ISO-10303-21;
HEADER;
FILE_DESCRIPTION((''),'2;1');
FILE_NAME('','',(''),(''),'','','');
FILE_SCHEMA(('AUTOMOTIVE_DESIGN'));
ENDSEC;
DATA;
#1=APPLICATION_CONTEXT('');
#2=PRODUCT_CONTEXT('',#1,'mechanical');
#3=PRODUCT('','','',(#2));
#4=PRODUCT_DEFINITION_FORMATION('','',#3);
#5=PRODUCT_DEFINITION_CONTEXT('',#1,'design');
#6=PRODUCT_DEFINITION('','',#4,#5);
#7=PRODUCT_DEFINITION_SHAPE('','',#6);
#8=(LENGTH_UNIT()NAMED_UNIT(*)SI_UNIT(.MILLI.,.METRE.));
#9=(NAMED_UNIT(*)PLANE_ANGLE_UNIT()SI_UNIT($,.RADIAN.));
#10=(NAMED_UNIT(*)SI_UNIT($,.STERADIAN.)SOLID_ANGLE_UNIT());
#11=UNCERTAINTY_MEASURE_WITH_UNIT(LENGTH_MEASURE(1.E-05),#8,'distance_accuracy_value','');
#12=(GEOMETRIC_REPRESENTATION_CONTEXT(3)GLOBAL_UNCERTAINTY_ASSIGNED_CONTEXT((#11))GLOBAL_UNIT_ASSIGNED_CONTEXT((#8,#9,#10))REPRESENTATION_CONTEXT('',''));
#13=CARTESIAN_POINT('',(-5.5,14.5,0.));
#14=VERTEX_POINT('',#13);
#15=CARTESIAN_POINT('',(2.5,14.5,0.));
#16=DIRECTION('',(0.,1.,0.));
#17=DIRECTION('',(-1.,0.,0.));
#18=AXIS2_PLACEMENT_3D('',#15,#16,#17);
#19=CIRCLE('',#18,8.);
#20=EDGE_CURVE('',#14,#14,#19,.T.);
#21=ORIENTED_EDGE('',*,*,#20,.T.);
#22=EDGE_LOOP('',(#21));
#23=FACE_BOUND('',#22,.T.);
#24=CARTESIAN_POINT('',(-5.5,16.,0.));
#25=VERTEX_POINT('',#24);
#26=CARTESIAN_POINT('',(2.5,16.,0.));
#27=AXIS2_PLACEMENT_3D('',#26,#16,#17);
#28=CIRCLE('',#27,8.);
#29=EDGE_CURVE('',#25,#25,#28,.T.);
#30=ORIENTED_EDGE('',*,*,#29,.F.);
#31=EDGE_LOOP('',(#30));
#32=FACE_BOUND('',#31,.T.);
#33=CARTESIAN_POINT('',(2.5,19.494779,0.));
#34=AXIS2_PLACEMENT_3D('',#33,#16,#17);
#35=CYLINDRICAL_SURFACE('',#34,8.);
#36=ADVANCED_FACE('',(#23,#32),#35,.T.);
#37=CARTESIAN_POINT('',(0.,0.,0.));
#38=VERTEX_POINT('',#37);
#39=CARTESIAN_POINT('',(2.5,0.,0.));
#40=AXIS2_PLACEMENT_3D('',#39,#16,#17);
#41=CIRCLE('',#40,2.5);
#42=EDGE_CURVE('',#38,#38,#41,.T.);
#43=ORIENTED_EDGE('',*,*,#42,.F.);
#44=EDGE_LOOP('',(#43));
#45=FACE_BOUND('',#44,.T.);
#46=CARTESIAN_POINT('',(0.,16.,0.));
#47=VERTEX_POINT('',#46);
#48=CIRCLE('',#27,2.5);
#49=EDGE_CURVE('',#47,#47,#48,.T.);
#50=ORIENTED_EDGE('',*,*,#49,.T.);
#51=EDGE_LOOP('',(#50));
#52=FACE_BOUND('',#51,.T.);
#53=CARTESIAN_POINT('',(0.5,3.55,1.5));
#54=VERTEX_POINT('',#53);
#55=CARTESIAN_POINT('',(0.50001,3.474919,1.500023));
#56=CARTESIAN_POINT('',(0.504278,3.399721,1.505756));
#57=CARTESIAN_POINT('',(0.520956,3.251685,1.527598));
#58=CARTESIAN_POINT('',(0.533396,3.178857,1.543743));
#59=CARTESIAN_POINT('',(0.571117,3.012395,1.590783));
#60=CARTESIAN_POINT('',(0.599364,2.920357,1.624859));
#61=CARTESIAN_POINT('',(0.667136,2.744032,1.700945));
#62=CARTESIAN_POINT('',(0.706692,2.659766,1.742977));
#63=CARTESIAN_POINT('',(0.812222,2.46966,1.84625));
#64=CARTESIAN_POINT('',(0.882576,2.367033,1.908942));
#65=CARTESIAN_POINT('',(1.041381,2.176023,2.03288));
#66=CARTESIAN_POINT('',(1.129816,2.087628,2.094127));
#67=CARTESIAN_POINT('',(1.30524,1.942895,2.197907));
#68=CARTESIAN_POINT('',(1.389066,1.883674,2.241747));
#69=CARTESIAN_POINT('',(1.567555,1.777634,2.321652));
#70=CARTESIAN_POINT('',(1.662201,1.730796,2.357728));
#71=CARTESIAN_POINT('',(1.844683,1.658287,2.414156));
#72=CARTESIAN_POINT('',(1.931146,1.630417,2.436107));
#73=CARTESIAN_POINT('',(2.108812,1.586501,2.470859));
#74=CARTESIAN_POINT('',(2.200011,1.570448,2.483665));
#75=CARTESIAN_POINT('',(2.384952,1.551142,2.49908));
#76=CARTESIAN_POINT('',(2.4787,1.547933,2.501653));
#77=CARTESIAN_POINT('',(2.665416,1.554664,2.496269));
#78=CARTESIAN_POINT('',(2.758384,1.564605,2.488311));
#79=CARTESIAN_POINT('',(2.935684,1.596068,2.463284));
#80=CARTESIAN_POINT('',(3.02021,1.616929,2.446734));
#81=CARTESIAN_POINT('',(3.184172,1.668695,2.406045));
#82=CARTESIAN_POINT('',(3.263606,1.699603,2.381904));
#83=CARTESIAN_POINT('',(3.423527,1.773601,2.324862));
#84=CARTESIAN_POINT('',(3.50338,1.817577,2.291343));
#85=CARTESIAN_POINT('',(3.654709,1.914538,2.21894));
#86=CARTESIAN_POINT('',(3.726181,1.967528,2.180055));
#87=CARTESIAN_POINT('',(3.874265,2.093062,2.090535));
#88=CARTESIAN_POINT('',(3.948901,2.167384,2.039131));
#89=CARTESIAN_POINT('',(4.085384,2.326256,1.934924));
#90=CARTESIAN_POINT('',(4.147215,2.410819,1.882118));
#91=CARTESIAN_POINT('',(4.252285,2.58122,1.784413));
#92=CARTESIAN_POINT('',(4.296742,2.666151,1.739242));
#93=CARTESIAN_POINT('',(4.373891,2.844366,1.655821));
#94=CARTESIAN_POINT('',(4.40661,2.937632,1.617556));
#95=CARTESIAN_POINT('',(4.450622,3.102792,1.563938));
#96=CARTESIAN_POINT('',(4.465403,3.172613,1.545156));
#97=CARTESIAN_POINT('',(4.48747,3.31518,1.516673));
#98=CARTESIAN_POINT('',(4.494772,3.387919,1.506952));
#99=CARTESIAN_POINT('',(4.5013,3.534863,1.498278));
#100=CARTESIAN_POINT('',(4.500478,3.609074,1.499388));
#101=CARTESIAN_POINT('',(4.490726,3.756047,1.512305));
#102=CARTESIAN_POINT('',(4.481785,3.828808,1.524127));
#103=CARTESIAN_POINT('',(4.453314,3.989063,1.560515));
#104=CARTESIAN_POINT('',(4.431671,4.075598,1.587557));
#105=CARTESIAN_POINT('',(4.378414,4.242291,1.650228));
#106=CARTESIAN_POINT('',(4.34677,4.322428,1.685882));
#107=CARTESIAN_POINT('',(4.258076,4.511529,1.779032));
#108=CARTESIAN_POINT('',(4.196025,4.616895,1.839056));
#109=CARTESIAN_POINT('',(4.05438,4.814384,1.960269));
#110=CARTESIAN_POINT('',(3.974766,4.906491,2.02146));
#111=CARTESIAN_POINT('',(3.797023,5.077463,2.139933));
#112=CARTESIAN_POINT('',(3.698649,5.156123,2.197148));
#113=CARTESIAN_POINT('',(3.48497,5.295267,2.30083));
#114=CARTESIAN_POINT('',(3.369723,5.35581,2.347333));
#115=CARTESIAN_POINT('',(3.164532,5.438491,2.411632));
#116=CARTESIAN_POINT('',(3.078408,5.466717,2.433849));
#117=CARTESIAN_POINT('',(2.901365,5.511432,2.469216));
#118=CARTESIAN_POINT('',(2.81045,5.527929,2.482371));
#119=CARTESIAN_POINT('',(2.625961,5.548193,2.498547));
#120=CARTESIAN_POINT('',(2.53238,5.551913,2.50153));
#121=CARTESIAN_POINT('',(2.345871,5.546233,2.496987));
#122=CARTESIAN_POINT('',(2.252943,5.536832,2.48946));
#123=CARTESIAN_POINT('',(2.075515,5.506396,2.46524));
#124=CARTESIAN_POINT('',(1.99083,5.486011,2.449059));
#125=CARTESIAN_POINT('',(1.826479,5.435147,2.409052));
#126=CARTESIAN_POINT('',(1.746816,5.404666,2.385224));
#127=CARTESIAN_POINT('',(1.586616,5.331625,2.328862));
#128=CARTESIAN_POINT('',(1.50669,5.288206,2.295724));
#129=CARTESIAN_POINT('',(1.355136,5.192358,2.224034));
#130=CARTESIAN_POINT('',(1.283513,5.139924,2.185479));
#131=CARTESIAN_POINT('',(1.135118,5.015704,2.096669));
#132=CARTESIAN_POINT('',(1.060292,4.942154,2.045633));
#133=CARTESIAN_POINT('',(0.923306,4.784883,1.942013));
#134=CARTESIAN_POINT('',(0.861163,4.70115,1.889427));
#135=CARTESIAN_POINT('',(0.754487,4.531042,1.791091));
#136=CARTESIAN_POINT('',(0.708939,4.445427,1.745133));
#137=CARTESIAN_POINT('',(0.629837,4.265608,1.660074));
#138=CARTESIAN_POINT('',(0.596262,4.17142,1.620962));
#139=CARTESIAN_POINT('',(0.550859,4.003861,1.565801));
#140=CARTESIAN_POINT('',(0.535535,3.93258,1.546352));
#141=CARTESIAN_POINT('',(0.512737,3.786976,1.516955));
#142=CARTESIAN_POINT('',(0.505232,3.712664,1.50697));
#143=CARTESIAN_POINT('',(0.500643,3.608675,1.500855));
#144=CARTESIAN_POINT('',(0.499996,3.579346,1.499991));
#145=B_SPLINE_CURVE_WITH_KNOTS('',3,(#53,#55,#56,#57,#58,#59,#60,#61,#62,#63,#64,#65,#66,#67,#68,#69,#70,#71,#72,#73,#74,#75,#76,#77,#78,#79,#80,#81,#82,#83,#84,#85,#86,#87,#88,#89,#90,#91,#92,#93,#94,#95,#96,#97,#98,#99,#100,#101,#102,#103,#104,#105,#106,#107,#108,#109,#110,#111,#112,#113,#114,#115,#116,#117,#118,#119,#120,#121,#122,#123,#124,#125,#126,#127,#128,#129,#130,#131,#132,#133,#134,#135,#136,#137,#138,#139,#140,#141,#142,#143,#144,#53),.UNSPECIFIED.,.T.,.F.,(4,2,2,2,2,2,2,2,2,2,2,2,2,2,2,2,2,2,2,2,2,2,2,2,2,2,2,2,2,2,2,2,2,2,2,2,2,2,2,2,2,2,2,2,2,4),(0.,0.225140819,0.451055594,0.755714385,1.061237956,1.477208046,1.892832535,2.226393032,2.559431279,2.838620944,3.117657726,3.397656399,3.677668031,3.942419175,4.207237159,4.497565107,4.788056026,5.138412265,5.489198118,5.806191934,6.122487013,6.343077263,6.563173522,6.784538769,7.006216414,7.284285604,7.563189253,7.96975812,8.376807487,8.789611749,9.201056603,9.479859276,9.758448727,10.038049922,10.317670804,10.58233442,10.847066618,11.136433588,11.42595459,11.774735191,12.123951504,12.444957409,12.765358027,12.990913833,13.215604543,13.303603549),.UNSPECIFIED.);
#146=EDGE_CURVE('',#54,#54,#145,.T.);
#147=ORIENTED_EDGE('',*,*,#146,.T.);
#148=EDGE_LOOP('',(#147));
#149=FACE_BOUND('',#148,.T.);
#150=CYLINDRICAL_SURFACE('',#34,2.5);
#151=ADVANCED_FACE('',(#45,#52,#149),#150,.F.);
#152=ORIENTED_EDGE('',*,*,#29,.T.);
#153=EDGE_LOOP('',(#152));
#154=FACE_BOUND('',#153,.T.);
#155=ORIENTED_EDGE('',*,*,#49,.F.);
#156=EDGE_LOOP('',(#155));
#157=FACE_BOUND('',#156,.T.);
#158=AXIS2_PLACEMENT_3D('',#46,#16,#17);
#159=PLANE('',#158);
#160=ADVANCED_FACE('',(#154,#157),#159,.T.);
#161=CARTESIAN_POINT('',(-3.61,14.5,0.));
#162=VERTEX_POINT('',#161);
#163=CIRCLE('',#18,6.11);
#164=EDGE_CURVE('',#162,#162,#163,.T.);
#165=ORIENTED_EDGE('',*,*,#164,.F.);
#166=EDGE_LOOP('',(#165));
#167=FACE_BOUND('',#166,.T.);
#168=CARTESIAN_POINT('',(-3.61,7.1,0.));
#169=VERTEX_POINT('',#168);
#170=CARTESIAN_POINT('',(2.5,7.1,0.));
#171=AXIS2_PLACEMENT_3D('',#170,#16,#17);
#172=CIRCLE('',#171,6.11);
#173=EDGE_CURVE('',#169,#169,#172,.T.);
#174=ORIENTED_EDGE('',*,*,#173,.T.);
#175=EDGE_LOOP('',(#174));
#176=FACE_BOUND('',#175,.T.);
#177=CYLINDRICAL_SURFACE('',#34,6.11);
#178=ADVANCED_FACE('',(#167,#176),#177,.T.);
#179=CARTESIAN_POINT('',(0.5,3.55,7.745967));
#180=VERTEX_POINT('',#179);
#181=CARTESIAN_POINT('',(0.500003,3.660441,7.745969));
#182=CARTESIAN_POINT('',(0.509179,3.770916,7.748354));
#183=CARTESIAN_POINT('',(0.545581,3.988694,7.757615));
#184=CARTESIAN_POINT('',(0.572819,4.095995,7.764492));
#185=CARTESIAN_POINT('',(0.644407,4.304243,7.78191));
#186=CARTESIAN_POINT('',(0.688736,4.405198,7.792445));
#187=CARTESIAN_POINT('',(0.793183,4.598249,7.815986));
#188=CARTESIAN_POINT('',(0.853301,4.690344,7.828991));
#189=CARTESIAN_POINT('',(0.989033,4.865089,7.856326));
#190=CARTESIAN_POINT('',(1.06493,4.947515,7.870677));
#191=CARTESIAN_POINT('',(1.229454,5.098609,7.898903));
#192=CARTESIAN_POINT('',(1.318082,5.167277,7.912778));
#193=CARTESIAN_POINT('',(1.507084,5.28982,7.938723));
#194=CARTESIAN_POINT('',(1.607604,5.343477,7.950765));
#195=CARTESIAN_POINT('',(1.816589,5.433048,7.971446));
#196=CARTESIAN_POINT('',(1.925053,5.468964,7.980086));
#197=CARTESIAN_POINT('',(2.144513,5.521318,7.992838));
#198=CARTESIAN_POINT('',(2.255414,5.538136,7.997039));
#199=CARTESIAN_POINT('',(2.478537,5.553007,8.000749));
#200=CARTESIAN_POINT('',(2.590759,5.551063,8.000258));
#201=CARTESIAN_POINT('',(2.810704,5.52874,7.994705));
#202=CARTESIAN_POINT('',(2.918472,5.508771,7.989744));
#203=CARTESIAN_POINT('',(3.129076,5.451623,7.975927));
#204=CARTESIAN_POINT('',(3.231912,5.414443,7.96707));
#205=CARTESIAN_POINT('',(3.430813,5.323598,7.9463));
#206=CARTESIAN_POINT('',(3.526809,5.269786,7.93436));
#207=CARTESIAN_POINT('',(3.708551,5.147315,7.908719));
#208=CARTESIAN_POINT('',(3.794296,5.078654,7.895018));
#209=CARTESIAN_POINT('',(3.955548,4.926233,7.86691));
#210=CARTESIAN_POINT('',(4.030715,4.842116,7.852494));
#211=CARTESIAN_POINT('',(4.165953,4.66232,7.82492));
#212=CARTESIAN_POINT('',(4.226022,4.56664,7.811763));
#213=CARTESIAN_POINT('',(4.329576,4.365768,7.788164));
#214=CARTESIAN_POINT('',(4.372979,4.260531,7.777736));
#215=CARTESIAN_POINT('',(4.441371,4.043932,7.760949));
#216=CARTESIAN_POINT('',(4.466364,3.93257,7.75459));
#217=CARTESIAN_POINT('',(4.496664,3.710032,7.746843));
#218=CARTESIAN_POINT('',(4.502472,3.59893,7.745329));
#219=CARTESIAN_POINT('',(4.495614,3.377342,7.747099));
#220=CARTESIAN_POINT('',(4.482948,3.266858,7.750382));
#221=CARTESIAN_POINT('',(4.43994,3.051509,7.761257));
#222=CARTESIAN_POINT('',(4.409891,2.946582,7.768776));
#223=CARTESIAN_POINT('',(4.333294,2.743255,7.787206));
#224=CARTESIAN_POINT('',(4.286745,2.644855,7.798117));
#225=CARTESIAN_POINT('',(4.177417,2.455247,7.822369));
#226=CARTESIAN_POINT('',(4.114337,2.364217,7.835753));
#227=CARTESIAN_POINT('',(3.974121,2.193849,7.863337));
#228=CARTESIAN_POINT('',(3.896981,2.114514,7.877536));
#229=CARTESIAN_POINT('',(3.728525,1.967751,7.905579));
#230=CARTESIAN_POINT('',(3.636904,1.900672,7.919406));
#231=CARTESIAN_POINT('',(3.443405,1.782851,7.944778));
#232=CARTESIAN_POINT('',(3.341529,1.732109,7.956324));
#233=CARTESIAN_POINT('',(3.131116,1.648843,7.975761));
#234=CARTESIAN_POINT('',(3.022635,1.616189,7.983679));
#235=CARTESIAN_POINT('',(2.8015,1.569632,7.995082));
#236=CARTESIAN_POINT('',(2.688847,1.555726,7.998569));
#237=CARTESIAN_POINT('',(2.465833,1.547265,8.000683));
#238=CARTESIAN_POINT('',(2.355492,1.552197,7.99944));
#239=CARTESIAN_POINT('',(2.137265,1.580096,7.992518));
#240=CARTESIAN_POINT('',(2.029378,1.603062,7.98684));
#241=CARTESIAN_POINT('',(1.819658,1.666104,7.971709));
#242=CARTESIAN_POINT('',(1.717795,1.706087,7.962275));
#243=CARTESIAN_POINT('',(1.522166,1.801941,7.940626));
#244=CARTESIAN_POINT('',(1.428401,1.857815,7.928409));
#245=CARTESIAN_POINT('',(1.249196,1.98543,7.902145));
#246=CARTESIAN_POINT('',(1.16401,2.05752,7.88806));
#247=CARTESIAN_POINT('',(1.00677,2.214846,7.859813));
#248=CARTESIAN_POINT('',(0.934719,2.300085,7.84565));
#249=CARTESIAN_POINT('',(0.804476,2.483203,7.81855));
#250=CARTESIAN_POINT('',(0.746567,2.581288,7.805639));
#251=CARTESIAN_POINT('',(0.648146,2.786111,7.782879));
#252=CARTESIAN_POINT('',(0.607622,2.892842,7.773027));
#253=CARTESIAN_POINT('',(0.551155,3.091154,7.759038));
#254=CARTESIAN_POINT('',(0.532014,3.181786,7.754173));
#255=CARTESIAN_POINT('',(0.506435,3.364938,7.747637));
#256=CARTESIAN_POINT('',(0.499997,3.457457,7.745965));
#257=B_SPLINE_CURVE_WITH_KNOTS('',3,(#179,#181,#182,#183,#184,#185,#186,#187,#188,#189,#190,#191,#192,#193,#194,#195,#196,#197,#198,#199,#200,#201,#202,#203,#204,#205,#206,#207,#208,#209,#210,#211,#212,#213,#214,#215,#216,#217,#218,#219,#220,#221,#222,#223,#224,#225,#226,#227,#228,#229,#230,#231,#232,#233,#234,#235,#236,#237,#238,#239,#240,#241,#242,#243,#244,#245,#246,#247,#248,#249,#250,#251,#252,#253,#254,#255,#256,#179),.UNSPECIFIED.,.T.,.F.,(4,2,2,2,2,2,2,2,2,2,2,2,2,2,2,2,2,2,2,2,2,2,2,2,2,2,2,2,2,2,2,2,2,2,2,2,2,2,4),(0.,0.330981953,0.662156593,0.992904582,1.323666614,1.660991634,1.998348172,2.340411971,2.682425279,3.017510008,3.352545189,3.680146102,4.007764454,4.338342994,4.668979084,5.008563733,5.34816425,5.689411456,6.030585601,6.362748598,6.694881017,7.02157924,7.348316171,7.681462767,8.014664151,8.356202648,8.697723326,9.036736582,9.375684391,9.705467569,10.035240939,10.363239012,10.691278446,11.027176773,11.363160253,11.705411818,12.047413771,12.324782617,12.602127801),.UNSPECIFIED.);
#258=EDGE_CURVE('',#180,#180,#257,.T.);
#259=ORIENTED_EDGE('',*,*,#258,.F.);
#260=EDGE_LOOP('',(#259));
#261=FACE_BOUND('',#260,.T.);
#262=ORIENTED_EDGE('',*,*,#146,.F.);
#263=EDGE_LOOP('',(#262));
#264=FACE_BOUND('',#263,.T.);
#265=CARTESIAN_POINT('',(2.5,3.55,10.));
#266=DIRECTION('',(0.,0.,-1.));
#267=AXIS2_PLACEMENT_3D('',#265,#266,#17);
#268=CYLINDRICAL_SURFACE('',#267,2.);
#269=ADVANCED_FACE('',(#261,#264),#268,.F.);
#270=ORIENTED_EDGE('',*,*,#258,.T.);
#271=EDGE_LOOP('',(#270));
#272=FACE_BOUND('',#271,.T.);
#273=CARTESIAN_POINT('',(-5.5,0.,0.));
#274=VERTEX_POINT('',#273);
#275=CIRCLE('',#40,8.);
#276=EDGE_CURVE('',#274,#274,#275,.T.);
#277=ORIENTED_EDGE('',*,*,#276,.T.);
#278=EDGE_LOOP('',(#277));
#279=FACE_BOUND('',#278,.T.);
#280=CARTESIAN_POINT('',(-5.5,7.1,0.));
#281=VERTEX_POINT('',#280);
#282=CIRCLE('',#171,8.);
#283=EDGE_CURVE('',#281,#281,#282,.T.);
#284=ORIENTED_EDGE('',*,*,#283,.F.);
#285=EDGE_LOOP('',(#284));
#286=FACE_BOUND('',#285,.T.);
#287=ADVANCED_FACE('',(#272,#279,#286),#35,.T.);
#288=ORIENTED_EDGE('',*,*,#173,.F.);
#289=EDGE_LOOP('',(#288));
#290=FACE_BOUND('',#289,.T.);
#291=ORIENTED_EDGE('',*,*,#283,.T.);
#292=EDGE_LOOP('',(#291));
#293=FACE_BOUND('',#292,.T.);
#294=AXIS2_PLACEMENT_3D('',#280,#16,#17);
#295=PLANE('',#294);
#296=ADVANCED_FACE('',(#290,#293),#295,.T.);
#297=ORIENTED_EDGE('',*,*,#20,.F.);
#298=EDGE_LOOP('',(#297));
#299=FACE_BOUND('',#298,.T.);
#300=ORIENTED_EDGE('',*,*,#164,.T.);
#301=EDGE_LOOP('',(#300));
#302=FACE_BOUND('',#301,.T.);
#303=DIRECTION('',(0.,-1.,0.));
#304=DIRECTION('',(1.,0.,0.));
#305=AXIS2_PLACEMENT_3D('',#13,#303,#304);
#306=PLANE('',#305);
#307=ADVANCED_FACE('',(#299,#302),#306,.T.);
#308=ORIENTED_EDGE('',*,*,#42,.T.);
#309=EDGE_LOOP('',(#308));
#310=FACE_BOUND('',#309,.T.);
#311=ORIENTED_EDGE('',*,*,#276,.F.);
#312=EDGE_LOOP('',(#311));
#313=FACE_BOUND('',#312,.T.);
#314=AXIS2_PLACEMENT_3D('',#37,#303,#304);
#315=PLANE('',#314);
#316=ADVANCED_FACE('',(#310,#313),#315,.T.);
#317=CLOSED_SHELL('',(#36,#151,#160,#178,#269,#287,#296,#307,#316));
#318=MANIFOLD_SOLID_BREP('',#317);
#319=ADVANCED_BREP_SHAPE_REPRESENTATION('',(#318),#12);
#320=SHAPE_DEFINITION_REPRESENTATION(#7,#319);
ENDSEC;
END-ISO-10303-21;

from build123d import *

# Parameters (mm, degrees)
SKETCH2_R          = 2
CUT_EXTRUDE1_DEPTH = 10


with BuildPart() as part:
    # Sketch1 → Revolve1 (revolve)
    with BuildSketch(Plane.XY):
        Polygon((0, 0), (0, 16), (-5.5, 16), (-5.5, 14.5), (-3.61, 14.5), (-3.61, 7.1), (-5.5, 7.1), (-5.5, 0), align=None)
    revolve(axis=Axis((2.5, 19.494779208, 0), (0, -1, 0)))

    # Sketch2 → Cut-Extrude1 (cut)
    with BuildSketch(Plane.XY):
        with Locations((2.5, 3.55)):
            Circle(SKETCH2_R)
    extrude(amount=CUT_EXTRUDE1_DEPTH, mode=Mode.SUBTRACT)


solid = part.part
